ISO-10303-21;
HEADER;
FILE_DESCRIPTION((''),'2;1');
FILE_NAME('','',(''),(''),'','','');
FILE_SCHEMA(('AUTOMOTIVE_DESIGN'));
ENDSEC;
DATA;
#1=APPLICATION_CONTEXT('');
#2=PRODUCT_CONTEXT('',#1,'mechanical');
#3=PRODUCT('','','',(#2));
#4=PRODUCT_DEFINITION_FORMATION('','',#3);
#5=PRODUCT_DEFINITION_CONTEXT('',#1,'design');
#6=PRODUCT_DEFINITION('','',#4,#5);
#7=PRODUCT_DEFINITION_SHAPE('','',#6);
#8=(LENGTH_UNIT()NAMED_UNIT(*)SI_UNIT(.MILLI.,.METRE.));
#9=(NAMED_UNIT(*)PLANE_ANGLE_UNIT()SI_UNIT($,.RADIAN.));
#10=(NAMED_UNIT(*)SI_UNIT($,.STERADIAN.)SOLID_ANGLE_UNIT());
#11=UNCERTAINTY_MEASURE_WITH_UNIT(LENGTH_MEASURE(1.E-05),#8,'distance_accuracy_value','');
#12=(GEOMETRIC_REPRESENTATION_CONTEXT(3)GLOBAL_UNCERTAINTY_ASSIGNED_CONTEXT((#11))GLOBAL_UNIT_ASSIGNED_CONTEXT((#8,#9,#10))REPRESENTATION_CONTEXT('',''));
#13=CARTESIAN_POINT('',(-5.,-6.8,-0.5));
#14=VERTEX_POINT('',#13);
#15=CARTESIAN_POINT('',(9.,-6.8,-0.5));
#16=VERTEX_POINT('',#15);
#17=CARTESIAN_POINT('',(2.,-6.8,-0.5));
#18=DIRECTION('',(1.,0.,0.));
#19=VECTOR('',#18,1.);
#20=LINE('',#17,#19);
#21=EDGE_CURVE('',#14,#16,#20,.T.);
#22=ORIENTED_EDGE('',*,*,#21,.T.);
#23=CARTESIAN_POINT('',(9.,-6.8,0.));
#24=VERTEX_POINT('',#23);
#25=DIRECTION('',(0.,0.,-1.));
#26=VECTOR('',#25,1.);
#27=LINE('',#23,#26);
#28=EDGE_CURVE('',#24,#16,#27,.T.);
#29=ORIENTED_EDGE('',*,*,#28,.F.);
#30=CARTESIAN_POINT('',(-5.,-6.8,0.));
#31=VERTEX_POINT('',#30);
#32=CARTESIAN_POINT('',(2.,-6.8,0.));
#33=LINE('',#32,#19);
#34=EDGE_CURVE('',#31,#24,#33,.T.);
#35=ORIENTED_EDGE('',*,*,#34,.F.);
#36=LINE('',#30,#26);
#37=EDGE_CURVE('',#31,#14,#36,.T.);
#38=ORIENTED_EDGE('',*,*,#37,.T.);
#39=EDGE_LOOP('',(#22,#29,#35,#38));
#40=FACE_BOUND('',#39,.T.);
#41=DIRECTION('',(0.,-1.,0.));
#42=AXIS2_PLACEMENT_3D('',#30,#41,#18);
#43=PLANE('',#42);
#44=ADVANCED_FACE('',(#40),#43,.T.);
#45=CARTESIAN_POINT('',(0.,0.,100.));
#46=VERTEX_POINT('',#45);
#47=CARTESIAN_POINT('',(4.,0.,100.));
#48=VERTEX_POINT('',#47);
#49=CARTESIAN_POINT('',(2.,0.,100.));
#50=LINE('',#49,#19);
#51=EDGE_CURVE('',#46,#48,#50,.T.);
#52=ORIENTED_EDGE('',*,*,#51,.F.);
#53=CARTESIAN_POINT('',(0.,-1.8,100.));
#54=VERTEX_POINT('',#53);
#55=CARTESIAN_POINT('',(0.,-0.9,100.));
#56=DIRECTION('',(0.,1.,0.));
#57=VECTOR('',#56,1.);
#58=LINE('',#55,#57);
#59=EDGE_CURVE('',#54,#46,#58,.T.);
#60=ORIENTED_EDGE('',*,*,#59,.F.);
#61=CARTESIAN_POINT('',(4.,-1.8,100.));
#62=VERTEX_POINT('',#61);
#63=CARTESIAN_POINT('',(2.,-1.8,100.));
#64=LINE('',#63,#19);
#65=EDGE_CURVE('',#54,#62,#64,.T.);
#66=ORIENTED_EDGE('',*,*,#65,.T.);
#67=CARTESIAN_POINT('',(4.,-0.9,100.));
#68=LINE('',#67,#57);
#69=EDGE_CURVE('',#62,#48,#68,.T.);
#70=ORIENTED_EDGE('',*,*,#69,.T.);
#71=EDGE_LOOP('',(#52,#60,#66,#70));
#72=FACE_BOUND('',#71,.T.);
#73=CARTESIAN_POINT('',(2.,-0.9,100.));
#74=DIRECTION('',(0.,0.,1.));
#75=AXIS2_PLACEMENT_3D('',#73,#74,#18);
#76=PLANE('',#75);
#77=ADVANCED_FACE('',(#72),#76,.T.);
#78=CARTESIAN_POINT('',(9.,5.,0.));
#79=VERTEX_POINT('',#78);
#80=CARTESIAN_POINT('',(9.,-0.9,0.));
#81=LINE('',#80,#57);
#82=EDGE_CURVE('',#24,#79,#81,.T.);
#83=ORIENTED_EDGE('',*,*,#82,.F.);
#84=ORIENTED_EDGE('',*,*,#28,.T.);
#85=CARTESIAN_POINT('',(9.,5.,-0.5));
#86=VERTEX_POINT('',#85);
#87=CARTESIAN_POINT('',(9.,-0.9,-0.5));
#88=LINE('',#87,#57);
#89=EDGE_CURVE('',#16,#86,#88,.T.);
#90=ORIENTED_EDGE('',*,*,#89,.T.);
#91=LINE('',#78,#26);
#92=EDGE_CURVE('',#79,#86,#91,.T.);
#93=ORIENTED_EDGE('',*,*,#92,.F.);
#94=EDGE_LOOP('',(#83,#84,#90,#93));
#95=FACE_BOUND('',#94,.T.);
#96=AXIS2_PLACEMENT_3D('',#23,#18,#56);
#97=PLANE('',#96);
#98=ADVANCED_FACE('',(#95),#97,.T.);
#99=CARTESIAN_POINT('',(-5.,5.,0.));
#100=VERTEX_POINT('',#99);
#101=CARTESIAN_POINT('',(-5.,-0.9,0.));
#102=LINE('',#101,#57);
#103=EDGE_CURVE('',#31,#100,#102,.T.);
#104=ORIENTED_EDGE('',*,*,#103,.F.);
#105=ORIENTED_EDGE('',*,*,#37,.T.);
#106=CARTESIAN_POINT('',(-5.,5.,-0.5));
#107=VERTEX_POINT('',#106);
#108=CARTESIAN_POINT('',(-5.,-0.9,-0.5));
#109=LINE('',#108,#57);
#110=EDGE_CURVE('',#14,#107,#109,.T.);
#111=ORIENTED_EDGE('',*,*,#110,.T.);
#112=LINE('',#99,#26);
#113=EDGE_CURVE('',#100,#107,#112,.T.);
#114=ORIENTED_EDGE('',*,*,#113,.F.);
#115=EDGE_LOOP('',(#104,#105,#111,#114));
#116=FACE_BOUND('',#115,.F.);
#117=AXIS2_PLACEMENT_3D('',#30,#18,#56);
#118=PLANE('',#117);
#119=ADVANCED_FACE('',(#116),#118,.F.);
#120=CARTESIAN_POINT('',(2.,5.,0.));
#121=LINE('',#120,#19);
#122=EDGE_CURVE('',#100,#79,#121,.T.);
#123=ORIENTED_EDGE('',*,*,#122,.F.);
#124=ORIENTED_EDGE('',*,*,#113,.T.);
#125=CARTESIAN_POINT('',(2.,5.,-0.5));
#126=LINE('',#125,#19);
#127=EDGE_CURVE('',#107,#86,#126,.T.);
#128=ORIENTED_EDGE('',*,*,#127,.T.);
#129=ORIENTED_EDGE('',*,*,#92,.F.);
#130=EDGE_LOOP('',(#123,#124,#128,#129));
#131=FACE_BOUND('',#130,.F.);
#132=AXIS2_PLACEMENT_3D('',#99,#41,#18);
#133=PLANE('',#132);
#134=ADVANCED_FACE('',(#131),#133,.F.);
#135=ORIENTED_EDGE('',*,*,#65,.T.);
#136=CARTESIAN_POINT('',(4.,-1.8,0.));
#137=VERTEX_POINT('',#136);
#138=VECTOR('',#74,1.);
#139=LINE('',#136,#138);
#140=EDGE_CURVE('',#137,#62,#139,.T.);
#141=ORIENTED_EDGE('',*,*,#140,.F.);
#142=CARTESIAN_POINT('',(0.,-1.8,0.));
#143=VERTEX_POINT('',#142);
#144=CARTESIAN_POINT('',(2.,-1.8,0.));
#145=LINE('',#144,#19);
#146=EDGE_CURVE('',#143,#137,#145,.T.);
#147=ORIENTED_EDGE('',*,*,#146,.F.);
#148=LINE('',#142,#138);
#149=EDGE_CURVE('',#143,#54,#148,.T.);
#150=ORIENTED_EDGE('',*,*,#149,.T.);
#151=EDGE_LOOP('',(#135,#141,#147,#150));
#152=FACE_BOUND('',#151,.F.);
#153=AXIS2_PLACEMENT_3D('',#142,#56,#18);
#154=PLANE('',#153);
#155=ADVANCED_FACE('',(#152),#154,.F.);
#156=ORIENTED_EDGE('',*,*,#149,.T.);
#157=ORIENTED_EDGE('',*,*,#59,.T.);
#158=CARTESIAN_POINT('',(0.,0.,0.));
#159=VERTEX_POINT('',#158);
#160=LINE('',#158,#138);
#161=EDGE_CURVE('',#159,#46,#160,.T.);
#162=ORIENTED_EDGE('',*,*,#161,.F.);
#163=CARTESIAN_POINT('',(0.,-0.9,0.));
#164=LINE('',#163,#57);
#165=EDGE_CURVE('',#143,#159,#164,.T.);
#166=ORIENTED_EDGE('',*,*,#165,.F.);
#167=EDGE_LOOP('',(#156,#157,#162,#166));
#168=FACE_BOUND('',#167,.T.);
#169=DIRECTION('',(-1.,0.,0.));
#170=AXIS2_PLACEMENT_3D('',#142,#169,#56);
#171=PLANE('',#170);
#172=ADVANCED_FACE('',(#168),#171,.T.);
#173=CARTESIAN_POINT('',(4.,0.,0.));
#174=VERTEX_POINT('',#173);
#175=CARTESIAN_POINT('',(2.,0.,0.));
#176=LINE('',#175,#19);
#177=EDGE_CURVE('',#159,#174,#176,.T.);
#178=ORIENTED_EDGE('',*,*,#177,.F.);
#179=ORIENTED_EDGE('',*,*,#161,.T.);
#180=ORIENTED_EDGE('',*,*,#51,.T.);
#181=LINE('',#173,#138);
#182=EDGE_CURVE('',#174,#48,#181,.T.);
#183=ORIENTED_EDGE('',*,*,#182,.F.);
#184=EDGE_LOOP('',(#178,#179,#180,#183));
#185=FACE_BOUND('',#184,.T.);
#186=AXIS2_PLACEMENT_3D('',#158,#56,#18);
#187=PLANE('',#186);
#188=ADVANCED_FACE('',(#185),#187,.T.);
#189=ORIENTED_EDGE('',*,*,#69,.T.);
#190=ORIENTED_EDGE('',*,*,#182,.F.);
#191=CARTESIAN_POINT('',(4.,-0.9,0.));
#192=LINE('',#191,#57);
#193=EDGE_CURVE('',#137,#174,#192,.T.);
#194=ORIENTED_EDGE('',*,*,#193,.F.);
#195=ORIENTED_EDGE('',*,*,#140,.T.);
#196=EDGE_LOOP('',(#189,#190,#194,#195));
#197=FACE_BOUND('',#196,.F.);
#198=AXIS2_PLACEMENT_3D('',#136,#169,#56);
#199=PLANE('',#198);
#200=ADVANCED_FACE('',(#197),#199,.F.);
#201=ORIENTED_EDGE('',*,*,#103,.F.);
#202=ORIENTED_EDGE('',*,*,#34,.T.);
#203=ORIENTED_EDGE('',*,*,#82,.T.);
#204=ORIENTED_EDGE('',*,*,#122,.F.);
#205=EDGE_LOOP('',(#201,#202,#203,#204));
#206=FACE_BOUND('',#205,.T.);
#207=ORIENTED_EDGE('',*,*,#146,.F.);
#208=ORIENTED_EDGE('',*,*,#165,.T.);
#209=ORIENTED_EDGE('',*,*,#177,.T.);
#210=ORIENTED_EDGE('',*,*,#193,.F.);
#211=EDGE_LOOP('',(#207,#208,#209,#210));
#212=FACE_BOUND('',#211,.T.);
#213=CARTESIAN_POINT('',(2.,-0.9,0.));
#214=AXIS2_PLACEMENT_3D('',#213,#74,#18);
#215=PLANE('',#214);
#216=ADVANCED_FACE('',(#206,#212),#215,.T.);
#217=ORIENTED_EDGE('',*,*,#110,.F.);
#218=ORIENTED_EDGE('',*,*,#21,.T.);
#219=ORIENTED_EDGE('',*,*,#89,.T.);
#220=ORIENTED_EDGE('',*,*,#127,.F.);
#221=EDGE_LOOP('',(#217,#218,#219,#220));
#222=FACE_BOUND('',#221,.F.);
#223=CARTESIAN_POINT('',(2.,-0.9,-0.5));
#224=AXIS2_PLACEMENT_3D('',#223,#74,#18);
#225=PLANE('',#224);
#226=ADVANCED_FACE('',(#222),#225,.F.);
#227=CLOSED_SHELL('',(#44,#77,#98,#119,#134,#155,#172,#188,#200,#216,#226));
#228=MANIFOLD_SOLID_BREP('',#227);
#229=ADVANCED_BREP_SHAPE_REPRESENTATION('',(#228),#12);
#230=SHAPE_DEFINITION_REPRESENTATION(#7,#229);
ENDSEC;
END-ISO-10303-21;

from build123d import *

# Parameters (mm, degrees)
F0_W     = 4
F0_H     = 1.8
F1_DEPTH = 100
F0_W_2   = 14
F0_H_2   = 11.8
F2_DEPTH = 0.5


with BuildPart() as f1:
    # F0 (on Top) → F1 (new body)
    with BuildSketch(Plane.XY):
        with Locations((2, -0.9)):
            Rectangle(F0_W, F0_H)
    extrude(amount=F1_DEPTH)

    # F0 (on Top) → F2 (join)
    with BuildSketch(Plane.XY):
        with Locations((2, -0.9)):
            Rectangle(F0_W_2, F0_H_2)
        with Locations((2, -0.9)):
            Rectangle(F0_W, F0_H, mode=Mode.SUBTRACT)
        with Locations((2, -0.9)):
            Rectangle(F0_W, F0_H)
    extrude(amount=-F2_DEPTH)


solid = f1.part
